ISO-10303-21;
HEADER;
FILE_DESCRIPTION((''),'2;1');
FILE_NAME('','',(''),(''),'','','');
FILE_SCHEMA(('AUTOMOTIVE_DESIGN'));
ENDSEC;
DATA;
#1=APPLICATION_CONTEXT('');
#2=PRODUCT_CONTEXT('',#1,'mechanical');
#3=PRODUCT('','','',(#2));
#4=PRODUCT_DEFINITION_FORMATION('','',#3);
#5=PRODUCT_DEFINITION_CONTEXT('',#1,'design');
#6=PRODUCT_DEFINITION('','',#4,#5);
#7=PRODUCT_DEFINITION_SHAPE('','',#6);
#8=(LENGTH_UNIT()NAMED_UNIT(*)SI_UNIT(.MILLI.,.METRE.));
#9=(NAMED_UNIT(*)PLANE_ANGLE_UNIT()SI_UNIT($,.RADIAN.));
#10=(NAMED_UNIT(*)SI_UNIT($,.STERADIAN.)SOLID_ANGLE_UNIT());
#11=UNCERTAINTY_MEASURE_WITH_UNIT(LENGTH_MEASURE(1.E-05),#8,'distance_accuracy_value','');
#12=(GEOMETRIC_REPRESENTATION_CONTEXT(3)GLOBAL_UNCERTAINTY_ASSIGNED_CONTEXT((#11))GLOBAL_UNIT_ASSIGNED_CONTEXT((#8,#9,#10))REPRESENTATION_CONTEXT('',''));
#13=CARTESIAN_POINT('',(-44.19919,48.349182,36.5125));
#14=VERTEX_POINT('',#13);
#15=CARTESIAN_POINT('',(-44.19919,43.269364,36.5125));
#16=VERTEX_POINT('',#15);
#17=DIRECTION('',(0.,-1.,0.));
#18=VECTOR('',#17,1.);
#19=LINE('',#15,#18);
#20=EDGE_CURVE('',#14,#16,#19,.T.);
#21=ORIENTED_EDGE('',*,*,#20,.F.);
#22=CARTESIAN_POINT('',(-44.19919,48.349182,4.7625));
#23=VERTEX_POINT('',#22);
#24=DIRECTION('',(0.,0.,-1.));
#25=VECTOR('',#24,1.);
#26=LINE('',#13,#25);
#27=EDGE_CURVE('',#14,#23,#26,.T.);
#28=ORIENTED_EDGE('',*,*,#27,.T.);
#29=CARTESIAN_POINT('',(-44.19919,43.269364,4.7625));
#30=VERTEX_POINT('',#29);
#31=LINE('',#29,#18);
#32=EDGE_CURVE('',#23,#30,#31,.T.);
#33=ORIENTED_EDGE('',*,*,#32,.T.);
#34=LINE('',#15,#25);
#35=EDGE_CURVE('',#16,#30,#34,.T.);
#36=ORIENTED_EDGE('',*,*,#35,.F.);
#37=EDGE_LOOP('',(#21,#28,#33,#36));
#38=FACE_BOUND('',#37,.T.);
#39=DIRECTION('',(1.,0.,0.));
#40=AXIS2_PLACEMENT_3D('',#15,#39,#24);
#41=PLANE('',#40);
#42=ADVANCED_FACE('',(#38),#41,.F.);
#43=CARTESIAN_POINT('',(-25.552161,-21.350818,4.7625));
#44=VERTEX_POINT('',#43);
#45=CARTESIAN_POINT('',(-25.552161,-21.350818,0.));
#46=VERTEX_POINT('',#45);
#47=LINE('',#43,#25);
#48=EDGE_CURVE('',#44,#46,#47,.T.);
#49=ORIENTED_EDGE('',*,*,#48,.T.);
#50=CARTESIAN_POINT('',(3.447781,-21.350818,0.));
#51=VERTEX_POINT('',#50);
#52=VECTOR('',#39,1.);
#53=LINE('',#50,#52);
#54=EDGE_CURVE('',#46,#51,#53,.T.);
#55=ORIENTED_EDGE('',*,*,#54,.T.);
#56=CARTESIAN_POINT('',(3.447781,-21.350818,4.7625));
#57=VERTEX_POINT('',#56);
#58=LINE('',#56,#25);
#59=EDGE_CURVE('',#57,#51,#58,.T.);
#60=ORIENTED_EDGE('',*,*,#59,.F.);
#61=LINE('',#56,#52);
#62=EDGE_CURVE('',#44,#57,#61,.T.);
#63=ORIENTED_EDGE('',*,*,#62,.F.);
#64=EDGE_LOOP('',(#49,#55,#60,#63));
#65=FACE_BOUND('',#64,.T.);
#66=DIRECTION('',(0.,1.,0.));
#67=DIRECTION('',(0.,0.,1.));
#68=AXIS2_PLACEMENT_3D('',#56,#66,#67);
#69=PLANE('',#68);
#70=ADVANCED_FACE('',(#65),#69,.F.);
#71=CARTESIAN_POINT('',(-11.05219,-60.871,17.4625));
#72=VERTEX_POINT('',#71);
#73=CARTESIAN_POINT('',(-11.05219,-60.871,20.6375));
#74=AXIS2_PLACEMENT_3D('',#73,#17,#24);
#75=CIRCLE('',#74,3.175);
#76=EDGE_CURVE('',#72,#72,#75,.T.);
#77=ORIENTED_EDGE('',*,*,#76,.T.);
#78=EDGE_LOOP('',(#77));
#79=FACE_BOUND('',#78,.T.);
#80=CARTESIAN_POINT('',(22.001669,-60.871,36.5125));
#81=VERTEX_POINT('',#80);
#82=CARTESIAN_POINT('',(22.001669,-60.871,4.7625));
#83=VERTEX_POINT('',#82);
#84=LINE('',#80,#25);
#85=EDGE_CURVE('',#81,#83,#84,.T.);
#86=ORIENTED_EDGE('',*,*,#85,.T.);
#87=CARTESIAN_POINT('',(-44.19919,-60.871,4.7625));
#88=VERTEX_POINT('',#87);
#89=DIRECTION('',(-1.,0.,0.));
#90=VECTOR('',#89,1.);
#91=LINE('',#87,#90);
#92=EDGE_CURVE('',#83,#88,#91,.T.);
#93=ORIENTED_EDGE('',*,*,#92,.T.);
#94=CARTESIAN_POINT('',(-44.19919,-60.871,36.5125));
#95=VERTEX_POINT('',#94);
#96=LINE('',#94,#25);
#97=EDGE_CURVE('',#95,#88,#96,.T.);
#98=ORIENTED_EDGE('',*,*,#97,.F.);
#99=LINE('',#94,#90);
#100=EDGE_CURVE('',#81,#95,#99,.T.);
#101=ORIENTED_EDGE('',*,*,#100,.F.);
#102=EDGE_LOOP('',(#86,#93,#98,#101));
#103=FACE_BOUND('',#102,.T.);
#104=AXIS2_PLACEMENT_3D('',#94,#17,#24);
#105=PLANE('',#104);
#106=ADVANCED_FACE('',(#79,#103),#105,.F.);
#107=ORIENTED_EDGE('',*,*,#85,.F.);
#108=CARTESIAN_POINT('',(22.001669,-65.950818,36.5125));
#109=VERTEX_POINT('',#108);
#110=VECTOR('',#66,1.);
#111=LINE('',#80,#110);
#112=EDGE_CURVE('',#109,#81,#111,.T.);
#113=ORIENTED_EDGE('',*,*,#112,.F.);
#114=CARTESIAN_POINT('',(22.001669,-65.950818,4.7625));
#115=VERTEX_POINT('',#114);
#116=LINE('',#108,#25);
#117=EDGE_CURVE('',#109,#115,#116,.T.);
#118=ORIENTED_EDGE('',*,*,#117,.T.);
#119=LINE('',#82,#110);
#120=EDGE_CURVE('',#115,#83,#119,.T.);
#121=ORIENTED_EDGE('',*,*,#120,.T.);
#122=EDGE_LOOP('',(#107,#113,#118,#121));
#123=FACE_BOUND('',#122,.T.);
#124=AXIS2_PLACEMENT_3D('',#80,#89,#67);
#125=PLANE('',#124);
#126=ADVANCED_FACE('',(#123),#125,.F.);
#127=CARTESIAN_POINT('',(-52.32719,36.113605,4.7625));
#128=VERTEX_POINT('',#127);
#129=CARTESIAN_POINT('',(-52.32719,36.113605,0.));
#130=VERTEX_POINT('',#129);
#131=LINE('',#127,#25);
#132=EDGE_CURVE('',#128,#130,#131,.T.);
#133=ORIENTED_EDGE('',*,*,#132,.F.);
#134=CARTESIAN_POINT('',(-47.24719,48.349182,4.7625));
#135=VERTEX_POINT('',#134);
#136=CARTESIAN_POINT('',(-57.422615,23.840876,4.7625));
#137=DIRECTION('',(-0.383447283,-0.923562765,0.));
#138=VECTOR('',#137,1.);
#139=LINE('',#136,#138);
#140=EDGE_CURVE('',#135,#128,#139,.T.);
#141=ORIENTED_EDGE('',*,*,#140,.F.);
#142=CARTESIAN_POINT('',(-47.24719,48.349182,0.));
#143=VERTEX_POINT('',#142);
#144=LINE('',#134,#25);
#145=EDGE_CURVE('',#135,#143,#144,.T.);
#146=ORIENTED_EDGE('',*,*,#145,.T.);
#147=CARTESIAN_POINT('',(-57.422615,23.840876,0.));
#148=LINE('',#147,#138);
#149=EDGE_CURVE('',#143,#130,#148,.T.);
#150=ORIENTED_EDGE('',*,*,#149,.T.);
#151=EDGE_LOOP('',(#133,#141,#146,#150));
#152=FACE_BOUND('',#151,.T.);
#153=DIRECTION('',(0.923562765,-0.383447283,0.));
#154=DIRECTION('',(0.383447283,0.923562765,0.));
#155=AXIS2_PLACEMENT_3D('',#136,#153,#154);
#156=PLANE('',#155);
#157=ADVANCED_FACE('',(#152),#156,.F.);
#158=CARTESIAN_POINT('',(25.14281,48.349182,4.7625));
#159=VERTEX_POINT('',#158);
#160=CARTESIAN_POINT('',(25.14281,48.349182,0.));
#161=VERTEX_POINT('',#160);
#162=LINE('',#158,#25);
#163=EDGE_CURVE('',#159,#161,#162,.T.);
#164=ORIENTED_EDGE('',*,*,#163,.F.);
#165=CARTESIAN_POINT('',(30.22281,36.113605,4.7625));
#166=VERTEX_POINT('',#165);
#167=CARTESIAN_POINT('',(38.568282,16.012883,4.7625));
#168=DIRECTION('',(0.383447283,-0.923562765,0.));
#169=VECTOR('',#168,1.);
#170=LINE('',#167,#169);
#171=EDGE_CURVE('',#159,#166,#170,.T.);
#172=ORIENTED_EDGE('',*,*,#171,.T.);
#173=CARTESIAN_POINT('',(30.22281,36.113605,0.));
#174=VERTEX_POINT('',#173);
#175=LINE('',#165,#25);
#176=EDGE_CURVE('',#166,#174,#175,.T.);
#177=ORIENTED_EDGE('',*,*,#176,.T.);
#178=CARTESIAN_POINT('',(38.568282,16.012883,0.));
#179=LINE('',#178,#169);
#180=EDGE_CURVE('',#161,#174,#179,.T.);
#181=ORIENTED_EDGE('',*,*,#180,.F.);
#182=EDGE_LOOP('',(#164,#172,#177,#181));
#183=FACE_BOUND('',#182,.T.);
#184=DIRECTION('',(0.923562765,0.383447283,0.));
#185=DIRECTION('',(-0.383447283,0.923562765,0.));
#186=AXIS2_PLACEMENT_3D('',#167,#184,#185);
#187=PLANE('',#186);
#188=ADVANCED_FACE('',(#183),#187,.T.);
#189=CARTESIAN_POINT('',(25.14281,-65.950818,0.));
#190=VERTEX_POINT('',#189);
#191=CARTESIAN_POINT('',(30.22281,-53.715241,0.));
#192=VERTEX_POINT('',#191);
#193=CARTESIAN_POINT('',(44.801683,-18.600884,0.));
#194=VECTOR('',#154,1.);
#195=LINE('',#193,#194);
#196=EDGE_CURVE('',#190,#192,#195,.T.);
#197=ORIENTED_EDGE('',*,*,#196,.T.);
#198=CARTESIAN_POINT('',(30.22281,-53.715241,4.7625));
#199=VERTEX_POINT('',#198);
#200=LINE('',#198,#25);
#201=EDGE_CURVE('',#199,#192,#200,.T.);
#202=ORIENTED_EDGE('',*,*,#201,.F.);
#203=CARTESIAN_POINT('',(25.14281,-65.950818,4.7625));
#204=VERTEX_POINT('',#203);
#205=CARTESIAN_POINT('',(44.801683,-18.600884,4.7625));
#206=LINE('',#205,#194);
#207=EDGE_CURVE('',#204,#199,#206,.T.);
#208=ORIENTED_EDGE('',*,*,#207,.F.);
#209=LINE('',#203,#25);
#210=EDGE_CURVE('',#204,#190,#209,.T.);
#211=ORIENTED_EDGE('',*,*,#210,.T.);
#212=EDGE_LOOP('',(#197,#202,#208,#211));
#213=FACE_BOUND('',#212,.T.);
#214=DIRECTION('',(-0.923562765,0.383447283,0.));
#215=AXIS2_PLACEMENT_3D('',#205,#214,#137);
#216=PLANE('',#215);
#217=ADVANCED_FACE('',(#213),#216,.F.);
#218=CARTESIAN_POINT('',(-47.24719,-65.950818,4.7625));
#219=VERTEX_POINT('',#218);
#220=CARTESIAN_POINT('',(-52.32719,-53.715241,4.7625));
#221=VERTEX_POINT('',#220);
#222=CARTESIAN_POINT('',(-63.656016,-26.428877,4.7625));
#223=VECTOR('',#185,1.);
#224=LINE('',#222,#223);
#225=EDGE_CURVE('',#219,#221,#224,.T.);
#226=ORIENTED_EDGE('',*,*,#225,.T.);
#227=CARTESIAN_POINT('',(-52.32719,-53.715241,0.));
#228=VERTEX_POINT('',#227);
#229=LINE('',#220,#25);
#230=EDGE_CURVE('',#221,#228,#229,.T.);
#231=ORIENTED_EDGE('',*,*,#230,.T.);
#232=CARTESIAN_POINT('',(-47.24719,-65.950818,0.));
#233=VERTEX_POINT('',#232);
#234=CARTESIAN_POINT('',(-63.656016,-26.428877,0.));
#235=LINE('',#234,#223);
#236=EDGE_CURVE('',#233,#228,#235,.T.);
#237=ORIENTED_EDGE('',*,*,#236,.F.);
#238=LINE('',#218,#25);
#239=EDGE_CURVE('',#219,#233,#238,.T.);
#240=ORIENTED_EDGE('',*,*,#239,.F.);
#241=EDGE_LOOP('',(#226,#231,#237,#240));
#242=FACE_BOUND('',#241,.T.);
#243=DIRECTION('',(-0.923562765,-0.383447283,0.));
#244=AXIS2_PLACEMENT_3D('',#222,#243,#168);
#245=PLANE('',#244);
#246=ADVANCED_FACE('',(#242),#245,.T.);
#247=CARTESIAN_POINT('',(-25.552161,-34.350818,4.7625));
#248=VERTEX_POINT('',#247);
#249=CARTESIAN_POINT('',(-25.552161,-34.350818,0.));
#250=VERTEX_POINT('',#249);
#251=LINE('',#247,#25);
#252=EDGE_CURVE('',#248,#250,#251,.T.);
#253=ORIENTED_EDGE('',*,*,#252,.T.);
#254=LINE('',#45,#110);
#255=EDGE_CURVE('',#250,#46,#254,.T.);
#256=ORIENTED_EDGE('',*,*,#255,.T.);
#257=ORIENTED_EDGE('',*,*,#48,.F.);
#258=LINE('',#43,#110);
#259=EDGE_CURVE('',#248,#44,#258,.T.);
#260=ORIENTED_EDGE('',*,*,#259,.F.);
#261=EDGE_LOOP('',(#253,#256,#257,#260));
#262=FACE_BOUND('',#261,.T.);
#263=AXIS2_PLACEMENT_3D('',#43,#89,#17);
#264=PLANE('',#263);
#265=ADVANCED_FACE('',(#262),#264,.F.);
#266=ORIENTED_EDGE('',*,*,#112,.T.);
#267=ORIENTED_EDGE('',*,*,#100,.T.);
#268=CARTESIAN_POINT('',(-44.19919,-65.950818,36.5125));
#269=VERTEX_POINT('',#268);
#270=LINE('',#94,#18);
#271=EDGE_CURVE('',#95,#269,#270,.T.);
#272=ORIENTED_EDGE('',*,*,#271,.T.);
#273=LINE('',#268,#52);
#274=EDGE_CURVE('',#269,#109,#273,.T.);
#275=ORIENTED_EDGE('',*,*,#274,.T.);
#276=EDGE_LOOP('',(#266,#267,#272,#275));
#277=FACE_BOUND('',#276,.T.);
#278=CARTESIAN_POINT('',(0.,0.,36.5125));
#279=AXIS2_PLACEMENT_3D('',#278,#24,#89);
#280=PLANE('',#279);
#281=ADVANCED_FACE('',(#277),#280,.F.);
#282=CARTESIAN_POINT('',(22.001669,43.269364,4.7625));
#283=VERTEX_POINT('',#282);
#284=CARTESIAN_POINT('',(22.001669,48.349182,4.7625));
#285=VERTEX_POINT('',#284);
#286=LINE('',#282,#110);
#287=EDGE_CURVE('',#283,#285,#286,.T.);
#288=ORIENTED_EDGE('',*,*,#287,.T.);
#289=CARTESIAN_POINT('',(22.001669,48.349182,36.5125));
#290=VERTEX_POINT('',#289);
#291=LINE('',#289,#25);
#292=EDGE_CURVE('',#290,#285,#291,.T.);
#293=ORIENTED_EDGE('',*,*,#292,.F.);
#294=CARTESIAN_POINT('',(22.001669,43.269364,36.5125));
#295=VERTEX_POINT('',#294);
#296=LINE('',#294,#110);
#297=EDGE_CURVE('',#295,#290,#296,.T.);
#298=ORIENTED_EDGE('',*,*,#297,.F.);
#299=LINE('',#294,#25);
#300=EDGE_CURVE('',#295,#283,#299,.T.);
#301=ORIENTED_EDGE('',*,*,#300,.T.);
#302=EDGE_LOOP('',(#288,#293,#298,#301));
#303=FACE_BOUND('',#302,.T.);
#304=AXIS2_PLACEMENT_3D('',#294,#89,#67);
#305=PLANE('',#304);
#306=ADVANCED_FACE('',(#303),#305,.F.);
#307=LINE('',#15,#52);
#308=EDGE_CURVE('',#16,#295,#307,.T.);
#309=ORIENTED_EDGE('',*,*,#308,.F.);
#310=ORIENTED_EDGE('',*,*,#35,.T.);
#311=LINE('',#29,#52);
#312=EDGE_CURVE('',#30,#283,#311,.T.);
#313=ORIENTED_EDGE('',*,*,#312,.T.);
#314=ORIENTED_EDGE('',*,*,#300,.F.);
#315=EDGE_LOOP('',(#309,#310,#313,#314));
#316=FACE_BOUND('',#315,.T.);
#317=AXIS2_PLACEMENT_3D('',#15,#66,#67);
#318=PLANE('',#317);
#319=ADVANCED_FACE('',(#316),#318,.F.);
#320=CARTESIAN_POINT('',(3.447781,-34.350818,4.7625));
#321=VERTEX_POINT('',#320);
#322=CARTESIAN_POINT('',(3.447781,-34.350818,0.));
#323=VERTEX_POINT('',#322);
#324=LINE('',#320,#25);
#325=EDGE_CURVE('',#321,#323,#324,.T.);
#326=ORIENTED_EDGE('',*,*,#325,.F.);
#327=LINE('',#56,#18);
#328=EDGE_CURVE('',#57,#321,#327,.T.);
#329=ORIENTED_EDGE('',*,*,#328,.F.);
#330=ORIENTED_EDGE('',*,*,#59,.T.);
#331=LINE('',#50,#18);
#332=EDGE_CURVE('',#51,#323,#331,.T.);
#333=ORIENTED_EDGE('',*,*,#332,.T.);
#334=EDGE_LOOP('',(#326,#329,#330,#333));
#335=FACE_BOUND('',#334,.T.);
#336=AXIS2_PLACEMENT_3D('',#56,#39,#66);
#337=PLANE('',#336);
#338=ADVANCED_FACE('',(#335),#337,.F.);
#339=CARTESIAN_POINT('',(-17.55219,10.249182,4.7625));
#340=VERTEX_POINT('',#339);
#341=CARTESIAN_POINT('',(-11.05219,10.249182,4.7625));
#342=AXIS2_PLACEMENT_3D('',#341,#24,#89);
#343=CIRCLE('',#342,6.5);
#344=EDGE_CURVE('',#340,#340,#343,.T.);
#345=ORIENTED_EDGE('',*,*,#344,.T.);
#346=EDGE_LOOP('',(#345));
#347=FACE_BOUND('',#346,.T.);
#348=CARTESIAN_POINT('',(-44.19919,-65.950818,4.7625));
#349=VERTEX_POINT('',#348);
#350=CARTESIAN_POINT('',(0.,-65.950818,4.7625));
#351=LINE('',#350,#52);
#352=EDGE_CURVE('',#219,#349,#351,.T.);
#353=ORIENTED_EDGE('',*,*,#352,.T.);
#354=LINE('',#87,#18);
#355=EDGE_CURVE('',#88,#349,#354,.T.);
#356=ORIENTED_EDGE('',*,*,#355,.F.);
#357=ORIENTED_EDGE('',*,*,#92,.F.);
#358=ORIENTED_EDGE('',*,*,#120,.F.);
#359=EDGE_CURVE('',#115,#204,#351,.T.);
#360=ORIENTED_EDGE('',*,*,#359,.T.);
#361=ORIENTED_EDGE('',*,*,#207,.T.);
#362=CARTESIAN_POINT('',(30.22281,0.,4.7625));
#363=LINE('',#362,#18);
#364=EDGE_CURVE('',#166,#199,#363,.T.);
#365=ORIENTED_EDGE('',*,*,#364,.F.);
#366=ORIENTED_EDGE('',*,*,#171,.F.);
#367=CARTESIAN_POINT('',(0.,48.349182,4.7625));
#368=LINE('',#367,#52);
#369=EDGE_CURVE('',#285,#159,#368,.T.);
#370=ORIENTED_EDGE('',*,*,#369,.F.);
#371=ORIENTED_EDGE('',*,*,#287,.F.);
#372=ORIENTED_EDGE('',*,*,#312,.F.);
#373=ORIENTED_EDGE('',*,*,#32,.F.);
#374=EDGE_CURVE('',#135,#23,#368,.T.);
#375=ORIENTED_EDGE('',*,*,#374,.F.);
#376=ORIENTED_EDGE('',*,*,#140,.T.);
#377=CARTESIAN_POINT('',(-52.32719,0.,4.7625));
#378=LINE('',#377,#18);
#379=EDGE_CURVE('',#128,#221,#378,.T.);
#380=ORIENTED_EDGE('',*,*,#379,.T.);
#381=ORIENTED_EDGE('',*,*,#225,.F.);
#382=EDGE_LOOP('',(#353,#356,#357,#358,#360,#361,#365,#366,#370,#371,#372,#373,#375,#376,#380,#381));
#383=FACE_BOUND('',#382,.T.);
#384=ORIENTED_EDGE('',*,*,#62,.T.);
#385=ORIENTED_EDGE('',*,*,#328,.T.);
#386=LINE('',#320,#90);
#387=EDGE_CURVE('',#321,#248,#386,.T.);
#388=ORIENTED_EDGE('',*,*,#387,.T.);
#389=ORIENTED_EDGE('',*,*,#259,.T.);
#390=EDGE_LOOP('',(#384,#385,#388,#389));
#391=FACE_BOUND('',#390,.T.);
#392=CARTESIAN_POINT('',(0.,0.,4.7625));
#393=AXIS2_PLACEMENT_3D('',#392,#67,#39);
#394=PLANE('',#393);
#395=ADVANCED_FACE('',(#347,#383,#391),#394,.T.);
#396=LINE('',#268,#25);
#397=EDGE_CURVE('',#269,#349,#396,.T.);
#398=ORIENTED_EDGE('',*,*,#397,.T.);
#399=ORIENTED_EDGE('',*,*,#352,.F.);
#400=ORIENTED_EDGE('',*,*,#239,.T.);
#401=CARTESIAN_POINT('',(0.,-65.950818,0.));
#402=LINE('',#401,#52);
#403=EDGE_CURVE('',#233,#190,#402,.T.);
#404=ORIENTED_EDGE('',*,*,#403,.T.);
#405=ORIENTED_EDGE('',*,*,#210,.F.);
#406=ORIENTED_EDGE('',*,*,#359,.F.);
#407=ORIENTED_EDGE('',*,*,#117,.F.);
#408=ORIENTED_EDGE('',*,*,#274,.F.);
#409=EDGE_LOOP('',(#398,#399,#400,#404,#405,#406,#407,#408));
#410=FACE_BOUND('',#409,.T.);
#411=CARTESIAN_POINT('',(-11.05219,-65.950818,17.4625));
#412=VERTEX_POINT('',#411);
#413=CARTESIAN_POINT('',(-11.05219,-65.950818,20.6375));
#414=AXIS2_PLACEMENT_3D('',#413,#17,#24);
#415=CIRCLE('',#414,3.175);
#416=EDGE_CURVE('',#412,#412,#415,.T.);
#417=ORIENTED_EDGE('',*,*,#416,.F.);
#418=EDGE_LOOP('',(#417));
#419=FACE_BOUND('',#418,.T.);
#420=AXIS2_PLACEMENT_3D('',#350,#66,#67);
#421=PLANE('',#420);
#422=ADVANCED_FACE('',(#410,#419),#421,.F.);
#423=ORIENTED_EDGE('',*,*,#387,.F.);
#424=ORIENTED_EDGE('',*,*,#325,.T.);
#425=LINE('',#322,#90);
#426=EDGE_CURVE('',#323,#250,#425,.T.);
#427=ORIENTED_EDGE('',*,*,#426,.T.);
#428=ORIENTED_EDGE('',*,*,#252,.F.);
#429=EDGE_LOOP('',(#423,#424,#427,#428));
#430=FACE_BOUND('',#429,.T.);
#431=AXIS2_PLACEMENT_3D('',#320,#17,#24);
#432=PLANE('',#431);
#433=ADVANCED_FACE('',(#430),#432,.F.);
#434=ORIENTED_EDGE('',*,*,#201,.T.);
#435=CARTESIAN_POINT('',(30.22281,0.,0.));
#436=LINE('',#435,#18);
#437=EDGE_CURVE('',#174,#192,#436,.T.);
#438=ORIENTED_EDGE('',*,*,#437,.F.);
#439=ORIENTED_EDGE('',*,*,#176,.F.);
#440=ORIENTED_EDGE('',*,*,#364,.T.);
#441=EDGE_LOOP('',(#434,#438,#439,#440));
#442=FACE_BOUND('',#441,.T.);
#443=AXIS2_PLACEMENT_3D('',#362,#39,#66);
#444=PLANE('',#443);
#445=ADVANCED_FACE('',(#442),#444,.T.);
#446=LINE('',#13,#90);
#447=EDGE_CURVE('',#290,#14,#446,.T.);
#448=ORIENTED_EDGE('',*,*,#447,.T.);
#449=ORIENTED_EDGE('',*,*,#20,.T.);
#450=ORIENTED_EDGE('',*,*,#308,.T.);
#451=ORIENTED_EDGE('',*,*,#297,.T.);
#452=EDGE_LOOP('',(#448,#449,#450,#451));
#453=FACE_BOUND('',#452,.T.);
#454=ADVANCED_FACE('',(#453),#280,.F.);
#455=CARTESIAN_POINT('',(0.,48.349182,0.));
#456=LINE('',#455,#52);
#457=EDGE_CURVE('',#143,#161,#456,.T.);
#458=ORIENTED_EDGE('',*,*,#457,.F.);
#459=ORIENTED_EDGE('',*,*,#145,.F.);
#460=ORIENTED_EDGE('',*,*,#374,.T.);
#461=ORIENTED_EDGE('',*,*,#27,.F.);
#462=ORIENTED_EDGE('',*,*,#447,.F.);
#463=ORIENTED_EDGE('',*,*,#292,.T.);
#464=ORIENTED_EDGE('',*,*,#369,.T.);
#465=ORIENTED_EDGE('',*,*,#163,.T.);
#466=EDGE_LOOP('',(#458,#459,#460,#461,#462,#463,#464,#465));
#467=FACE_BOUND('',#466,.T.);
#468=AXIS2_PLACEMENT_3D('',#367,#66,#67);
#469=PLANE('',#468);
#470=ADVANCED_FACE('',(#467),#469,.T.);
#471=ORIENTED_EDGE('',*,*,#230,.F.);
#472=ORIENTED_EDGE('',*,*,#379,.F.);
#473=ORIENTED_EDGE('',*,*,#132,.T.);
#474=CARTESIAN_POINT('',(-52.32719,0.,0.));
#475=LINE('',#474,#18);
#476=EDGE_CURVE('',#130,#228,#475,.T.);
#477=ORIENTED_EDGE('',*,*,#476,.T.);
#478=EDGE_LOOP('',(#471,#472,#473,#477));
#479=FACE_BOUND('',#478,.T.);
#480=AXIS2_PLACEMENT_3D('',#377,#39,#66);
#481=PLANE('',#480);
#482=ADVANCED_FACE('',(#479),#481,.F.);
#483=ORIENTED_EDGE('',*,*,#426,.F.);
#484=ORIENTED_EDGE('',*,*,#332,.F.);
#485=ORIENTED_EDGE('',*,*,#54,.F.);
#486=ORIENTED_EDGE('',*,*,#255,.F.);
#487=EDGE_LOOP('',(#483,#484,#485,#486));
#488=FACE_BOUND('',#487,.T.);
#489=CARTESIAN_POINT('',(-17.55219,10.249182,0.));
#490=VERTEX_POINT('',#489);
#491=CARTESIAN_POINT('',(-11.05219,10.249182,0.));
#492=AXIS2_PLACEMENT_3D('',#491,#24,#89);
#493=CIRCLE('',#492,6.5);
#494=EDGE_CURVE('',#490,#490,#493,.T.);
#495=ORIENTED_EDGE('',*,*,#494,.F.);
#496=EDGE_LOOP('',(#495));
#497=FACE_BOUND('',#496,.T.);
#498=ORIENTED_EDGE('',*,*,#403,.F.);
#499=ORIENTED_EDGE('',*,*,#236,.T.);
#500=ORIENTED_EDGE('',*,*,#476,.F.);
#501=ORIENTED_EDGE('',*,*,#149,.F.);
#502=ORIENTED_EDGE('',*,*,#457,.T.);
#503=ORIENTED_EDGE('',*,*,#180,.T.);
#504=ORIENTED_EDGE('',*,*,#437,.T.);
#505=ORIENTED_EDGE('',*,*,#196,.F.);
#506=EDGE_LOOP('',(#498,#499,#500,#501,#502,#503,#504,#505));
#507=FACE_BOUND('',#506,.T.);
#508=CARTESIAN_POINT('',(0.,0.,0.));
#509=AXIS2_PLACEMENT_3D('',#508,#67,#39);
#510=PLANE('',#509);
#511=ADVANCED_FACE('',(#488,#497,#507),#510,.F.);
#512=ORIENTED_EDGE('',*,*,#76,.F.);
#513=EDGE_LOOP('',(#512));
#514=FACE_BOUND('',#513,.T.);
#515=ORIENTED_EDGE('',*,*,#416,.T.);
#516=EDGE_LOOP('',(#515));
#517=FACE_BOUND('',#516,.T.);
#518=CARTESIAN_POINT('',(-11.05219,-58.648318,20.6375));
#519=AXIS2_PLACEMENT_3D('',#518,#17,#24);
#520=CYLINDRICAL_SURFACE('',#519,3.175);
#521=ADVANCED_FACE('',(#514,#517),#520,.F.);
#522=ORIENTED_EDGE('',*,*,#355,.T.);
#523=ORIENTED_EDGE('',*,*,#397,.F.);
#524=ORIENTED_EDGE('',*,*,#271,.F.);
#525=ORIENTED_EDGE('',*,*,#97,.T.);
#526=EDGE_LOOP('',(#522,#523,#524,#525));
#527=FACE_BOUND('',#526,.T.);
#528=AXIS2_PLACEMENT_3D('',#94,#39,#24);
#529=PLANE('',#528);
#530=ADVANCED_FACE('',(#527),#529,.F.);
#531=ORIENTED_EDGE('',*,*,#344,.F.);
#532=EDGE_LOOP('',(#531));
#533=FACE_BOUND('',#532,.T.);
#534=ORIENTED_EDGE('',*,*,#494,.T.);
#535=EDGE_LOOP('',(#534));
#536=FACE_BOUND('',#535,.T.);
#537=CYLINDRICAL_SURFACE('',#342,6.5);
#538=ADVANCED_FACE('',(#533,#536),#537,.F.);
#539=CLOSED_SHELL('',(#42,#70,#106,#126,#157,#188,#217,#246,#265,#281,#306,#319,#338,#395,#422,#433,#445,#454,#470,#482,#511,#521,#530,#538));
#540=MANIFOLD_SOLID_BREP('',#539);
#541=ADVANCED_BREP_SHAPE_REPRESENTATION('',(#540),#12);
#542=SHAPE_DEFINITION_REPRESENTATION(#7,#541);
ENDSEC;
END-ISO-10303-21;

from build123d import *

# Parameters (mm, degrees)
BOSS_EXTRUDE1_DEPTH = 4.7625
SKETCH3_W           = 66.200858932
SKETCH3_H           = 5.079818348
BOSS_EXTRUDE2_DEPTH = 31.75
SKETCH4_W           = 28.999942
SKETCH4_H           = 12.9999994
CUT_EXTRUDE1_DEPTH  = 4.7625
SKETCH5_R           = 6.4999997
CUT_EXTRUDE2_DEPTH  = 4.7625
SKETCH6_R           = 3.175
CUT_EXTRUDE3_DEPTH  = 7.3025


with BuildPart() as part:
    # Sketch1 → Boss-Extrude1 (new body)
    with BuildSketch(Plane.XY):
        Polygon((30.222809818, 36.11360466), (25.142809818, 48.349181892), (-47.247190182, 48.349181892), (-52.327190182, 36.11360466), (-52.327190182, -53.715240876), (-47.247190182, -65.950818108), (25.142809818, -65.950818108), (30.222809818, -53.715240876), align=None)
    extrude(amount=BOSS_EXTRUDE1_DEPTH)

    # Sketch3 → Boss-Extrude2 (add)
    with BuildSketch(Plane.XY.offset(4.7625)):
        with Locations((-11.098760716, 45.809272718)):
            Rectangle(SKETCH3_W, SKETCH3_H)
        with Locations((-11.098760716, -63.410908934)):
            Rectangle(SKETCH3_W, SKETCH3_H)
    extrude(amount=BOSS_EXTRUDE2_DEPTH)

    # Sketch4 → Cut-Extrude1 (cut)
    with BuildSketch(Plane(origin=(0, 0, 0), x_dir=(-1, 0, 0), z_dir=(0, 0, -1))):
        with Locations((11.052190182, -27.850818108)):
            Rectangle(SKETCH4_W, SKETCH4_H)
    extrude(amount=-CUT_EXTRUDE1_DEPTH, mode=Mode.SUBTRACT)

    # Sketch5 → Cut-Extrude2 (cut)
    with BuildSketch(Plane(origin=(0, 0, 0), x_dir=(-1, 0, 0), z_dir=(0, 0, -1))):
        with Locations((11.052190182, 10.249181892)):
            Circle(SKETCH5_R)
    extrude(amount=-CUT_EXTRUDE2_DEPTH, mode=Mode.SUBTRACT)

    # Sketch6 → Cut-Extrude3 (cut)
    with BuildSketch(Plane.XZ.offset(65.950818108)):
        with Locations((-11.052190182, 20.6375)):
            Circle(SKETCH6_R)
    extrude(amount=-CUT_EXTRUDE3_DEPTH, mode=Mode.SUBTRACT)


solid = part.part
